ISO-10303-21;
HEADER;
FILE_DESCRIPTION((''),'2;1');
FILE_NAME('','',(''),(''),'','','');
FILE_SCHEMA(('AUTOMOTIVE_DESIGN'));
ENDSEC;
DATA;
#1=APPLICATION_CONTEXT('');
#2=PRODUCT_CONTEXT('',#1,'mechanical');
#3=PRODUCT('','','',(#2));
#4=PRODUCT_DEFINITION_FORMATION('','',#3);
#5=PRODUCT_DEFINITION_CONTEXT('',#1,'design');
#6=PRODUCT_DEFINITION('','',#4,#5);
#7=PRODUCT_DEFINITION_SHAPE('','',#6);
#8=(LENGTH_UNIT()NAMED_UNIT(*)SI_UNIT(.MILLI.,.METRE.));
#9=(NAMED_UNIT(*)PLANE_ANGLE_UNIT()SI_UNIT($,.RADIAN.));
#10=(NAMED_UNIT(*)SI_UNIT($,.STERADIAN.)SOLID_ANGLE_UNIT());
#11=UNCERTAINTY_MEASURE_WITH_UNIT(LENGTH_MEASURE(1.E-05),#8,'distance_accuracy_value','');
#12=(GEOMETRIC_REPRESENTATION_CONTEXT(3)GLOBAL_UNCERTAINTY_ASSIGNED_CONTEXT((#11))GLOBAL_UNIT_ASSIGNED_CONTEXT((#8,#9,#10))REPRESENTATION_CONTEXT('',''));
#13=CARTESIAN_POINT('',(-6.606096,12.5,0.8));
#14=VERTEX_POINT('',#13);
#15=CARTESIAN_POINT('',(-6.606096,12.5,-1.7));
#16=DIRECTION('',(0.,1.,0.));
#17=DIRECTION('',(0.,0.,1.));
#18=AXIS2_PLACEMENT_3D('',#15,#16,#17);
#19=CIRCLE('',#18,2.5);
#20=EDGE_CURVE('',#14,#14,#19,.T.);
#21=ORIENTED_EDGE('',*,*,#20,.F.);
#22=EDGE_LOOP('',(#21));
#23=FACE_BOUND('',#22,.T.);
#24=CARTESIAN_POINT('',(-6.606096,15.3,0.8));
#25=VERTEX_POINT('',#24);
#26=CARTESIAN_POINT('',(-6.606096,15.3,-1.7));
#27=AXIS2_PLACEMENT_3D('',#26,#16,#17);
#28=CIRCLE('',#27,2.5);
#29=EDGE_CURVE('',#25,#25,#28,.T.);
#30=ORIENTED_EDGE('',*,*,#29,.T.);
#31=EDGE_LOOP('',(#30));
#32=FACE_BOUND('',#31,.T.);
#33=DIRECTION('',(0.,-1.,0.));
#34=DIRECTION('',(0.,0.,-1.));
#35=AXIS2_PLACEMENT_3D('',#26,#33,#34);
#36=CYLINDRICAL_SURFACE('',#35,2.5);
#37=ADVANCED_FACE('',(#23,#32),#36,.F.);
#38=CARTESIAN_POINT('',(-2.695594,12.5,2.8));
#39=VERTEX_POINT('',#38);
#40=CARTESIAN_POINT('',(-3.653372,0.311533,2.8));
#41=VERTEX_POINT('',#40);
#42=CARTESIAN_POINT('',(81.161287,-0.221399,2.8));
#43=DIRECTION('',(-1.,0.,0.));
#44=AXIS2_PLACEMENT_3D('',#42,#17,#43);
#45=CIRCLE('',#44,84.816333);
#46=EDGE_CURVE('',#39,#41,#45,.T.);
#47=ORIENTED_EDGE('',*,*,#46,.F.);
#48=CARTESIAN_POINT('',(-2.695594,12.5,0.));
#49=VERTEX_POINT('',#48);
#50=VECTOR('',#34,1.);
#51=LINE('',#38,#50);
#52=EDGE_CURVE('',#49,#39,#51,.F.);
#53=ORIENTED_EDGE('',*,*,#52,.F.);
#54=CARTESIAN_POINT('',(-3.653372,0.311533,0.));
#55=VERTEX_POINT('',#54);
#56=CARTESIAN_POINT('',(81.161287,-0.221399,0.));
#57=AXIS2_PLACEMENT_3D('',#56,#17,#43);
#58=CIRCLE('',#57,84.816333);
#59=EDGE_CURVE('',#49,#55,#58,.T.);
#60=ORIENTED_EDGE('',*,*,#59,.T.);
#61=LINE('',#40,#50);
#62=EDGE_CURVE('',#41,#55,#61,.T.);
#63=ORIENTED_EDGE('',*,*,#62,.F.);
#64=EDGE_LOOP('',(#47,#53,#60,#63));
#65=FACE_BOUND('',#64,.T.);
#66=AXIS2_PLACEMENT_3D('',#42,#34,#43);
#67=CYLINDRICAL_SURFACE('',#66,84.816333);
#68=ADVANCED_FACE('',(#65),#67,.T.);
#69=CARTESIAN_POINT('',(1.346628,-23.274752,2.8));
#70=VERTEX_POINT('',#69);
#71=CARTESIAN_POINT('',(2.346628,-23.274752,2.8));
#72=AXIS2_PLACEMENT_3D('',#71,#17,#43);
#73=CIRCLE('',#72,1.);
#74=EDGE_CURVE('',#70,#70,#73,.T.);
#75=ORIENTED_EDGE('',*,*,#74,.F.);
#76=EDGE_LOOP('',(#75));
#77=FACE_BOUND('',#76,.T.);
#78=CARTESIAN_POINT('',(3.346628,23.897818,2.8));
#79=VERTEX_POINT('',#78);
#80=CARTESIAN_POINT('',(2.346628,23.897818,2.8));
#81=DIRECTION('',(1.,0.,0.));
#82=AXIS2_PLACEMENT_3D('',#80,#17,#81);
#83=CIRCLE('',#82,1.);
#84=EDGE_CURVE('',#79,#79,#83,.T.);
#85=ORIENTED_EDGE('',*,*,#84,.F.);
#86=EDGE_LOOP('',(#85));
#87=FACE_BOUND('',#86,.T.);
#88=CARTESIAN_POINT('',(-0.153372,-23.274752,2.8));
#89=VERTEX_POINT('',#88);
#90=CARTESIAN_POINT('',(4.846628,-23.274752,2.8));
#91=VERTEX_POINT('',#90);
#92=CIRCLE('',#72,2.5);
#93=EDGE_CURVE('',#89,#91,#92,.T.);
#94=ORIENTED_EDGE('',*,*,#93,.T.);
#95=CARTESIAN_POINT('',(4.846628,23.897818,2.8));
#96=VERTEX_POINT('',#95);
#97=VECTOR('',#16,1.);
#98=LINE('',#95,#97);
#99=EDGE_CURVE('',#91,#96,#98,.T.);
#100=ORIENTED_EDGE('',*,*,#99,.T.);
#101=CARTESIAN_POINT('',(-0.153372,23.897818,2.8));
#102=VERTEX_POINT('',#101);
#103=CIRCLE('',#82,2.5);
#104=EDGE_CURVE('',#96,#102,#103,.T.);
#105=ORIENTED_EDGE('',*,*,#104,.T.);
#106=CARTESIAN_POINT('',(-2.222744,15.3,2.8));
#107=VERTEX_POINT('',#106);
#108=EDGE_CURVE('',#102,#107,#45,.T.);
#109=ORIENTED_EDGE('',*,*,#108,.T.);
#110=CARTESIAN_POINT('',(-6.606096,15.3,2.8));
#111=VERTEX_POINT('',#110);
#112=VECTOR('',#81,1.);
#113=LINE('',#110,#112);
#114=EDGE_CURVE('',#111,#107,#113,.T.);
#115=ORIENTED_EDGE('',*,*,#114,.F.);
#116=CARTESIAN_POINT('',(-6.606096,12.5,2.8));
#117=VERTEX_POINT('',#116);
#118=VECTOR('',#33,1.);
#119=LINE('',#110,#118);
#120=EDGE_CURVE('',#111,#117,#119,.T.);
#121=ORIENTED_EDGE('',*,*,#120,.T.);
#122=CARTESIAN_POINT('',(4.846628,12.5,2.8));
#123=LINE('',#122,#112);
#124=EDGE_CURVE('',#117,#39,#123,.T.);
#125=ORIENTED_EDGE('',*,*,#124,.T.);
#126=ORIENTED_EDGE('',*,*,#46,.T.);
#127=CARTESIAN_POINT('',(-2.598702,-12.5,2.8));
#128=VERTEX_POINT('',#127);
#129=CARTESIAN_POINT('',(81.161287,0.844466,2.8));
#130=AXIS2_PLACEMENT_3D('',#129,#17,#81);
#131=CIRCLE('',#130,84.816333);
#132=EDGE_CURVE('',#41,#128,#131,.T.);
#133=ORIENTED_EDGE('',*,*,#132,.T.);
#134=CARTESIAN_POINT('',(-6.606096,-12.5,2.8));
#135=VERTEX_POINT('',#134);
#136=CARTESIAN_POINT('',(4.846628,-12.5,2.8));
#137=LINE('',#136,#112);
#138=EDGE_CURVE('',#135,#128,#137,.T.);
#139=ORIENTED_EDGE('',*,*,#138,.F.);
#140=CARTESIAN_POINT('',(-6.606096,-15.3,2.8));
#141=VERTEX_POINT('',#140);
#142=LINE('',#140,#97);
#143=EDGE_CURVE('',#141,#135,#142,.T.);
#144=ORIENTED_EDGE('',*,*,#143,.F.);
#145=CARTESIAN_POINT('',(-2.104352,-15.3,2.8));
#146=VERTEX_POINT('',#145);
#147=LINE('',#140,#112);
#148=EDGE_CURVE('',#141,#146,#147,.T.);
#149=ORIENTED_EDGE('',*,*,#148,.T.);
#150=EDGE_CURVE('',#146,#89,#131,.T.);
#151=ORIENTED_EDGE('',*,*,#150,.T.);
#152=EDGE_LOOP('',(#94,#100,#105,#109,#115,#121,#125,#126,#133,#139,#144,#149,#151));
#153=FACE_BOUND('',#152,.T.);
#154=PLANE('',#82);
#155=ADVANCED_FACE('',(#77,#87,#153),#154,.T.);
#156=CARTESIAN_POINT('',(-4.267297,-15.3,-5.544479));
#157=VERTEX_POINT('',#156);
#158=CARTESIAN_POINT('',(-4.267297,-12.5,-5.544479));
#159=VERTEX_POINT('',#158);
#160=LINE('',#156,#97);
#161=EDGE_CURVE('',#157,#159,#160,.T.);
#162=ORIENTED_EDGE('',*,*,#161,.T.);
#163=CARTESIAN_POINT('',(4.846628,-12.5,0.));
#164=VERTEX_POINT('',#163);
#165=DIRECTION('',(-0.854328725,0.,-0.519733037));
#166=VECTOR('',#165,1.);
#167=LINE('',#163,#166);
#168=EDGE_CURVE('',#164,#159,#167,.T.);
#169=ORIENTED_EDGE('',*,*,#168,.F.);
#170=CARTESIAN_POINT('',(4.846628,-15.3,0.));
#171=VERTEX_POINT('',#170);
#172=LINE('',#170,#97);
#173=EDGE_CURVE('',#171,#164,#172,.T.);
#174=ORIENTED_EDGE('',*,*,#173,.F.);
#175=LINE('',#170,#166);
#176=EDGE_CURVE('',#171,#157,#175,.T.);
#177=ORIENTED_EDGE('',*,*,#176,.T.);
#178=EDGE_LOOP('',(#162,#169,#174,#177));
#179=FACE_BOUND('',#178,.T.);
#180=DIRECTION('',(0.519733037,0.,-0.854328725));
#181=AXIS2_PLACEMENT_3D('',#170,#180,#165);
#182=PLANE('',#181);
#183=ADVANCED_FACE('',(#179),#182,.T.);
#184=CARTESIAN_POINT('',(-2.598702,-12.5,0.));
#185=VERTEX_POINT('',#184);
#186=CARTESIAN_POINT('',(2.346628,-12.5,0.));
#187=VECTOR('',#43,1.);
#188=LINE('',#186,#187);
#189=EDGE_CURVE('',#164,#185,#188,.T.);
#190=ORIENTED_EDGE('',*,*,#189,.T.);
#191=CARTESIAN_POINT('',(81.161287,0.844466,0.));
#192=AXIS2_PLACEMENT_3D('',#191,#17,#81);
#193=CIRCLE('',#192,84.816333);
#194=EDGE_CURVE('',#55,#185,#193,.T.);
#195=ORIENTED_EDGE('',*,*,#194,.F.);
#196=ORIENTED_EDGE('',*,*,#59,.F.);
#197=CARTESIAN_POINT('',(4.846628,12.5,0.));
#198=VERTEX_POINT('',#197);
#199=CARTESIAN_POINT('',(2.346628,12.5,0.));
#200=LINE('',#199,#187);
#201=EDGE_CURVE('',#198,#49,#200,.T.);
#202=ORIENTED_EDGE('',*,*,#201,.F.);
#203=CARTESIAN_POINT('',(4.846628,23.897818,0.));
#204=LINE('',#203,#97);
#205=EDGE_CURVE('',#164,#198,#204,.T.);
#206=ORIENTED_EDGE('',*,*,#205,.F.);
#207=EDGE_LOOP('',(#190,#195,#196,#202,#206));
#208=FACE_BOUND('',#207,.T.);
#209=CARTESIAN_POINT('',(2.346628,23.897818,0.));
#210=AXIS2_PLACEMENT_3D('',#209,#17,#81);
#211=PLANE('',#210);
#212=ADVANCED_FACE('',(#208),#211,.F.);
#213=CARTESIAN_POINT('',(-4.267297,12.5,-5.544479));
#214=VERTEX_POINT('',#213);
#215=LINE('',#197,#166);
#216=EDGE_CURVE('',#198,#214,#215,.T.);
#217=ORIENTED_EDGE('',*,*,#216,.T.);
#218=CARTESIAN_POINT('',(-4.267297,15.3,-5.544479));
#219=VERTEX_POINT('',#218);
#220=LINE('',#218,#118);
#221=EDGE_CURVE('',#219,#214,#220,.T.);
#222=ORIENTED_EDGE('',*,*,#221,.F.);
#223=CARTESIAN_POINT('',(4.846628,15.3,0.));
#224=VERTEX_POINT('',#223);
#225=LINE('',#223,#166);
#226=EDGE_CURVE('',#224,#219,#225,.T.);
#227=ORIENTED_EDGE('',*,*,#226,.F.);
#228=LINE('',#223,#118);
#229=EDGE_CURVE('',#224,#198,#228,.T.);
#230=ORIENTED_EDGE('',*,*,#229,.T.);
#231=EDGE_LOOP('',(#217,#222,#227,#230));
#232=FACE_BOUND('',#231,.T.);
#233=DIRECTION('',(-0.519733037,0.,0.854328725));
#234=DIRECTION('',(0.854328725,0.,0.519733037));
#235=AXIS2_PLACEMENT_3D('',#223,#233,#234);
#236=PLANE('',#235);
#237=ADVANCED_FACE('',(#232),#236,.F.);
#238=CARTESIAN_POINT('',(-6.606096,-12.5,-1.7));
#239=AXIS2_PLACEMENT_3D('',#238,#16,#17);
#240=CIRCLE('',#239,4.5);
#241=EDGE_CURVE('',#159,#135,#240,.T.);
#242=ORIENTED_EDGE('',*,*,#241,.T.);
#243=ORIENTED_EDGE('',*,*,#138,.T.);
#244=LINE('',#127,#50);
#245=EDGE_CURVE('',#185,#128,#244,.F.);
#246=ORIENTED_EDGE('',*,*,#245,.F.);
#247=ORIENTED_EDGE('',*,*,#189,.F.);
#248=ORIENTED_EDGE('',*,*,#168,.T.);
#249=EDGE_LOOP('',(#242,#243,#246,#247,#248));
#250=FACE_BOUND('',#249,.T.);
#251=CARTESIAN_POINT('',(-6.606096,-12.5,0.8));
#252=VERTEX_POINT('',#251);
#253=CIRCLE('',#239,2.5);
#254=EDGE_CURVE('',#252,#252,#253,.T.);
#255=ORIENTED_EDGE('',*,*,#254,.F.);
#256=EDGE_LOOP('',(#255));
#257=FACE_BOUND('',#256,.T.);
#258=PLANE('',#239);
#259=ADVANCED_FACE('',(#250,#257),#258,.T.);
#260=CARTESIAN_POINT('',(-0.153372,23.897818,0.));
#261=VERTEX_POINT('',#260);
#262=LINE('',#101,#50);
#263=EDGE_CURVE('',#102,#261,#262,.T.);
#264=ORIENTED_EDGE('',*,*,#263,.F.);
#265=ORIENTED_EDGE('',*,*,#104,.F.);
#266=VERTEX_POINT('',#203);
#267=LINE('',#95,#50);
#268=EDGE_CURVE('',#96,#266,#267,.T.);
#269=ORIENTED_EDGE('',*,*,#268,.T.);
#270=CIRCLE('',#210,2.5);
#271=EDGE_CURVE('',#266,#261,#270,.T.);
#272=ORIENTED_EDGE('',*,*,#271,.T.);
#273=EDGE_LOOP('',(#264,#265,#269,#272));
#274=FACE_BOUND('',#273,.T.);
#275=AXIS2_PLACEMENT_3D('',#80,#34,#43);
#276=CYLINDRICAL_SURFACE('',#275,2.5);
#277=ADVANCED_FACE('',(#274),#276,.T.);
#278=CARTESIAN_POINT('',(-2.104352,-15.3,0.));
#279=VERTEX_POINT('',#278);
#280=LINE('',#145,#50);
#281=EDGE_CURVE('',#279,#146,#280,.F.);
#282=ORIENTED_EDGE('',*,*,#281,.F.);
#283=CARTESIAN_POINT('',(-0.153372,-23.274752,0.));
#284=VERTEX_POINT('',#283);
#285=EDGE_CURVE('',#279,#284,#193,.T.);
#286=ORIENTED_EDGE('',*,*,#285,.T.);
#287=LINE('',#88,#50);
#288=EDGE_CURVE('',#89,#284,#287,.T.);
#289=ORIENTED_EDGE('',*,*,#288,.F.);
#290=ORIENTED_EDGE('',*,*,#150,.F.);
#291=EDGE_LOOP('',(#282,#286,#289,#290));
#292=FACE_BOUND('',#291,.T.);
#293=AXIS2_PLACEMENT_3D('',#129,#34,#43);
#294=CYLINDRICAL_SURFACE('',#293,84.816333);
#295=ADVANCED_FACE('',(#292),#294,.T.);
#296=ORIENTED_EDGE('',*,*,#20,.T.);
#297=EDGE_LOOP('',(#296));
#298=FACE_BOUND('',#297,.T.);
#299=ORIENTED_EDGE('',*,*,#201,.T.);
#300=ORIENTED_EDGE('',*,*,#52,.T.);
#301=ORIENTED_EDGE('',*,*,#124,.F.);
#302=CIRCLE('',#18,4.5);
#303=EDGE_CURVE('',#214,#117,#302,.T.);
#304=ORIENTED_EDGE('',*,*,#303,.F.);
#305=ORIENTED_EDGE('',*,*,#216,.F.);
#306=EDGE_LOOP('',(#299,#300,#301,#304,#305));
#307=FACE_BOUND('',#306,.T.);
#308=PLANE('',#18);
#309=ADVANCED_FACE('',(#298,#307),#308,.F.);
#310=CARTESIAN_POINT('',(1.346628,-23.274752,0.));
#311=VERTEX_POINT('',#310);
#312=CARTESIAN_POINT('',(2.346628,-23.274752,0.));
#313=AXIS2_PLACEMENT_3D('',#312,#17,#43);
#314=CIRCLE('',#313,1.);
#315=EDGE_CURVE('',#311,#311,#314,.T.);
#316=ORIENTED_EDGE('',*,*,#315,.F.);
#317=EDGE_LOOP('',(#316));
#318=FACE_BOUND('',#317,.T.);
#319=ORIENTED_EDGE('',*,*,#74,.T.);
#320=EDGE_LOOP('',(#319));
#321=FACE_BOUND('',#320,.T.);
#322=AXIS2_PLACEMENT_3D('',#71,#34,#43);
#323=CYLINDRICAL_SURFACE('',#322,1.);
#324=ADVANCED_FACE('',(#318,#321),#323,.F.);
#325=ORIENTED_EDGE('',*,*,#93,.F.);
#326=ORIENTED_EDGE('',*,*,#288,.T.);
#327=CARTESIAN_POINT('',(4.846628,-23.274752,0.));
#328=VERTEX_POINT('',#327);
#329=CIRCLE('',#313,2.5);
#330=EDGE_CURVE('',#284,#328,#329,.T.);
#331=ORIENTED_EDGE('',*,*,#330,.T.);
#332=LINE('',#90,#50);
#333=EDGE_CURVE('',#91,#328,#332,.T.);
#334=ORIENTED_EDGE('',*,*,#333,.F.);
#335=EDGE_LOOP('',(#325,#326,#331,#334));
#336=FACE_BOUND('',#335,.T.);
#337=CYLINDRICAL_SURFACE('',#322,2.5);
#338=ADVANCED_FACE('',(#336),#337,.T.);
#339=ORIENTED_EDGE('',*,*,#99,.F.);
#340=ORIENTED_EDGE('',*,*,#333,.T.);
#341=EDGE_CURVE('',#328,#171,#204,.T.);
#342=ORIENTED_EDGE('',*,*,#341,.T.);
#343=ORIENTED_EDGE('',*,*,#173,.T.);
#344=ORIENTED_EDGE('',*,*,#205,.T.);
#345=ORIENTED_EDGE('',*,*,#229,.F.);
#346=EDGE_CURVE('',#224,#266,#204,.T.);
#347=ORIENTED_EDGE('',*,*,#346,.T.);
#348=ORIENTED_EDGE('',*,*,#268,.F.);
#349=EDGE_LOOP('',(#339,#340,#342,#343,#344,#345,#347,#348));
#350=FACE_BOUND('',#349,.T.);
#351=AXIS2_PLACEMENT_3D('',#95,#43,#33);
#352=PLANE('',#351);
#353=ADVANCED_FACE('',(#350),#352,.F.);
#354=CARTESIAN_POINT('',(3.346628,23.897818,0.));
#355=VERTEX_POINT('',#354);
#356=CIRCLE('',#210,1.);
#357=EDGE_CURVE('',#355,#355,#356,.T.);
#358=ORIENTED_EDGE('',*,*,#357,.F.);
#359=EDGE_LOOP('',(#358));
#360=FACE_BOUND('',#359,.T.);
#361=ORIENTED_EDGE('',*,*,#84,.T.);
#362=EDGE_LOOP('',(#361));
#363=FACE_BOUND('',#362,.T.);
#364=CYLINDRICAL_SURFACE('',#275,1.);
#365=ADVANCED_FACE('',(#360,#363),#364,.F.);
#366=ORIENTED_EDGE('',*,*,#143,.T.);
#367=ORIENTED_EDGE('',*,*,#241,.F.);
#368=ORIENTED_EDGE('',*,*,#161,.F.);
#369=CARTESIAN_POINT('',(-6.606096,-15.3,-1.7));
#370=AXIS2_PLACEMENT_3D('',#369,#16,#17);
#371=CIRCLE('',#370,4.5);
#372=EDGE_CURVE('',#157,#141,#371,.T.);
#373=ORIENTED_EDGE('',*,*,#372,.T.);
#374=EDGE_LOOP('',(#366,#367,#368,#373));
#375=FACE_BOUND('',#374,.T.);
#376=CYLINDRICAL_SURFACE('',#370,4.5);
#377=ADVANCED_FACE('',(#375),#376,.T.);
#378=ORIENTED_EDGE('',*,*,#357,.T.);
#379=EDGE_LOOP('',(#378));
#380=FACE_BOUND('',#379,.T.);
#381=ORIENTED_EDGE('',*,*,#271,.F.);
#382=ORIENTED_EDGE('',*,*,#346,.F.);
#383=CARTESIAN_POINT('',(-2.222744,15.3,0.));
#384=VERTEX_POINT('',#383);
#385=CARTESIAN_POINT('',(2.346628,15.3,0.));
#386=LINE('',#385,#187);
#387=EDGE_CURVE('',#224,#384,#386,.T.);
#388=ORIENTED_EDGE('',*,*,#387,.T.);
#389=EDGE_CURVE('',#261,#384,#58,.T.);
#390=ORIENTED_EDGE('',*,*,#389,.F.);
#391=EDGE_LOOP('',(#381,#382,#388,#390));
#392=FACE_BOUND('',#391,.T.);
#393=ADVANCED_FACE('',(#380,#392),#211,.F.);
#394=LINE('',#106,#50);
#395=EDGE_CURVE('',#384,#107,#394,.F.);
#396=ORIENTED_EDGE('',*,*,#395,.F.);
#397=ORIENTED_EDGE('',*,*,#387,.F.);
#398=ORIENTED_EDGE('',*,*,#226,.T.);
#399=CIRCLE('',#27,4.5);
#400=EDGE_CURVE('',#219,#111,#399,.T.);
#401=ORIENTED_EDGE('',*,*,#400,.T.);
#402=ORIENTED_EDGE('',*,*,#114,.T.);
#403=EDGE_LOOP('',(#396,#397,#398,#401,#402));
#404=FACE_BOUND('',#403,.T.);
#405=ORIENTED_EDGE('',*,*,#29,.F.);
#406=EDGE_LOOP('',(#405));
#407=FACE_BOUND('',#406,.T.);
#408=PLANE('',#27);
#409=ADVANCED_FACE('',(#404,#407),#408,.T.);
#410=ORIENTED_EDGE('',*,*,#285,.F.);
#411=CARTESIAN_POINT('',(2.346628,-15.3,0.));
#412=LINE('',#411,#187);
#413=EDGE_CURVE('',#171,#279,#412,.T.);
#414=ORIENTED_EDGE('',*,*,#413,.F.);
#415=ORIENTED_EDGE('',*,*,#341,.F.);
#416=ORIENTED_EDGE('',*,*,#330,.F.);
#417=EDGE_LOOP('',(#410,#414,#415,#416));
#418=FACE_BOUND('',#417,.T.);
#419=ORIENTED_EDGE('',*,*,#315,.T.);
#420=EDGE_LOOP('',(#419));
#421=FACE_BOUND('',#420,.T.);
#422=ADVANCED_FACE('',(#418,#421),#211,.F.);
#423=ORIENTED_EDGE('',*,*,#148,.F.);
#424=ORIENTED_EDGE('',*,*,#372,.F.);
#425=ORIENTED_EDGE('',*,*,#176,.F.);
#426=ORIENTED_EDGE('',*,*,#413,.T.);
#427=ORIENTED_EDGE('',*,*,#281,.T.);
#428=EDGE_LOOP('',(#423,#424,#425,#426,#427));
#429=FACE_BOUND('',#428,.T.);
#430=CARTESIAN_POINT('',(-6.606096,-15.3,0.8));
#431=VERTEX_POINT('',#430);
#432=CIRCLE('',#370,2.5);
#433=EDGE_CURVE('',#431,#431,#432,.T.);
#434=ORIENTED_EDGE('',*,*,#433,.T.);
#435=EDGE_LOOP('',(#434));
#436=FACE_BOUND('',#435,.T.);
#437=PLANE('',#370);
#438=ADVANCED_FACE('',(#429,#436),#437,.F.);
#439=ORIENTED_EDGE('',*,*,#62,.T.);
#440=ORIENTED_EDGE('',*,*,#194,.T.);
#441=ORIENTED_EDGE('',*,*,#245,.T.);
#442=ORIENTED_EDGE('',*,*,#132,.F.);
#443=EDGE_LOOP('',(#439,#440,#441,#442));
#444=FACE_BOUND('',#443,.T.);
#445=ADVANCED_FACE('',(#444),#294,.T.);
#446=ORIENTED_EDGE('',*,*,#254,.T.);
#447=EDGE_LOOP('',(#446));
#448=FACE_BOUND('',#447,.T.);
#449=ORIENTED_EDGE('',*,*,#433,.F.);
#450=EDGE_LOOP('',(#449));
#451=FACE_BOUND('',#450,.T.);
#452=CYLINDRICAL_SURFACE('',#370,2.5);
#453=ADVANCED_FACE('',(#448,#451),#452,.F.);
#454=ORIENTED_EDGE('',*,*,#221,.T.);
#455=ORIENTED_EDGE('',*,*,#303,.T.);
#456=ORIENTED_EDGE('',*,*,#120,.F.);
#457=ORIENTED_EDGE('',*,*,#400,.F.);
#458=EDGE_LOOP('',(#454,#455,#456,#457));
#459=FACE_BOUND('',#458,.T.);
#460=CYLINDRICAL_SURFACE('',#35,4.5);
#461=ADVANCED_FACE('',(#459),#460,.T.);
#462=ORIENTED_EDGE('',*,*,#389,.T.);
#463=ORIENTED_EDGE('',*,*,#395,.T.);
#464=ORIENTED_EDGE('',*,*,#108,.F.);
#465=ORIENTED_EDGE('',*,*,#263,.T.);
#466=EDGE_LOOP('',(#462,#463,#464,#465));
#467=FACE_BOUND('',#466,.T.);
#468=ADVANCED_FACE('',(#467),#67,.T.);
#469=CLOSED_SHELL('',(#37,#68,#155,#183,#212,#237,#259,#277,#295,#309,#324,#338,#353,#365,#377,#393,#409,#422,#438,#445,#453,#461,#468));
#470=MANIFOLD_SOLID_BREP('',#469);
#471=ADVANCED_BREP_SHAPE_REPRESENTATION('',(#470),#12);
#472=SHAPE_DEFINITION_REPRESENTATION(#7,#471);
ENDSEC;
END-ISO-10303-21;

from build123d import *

# Parameters (mm, degrees)
CROQUIS3_R              = 1
SALIENTE_EXTRUIR1_DEPTH = 2.8
SALIENTE_EXTRUIR2_START = 12.5
CROQUIS4_R              = 2.5
SALIENTE_EXTRUIR2_DEPTH = 2.8
SALIENTE_EXTRUIR3_START = -15.3
CROQUIS4_2_R            = 2.5
SALIENTE_EXTRUIR3_DEPTH = 2.8


with BuildPart() as part:
    # Croquis3 → Saliente-Extruir1 (new body)
    with BuildSketch(Plane.XY):
        with BuildLine():
            Line((4.846627727, 23.897818016), (4.846627727, -23.274751548))
            ThreePointArc((4.846627727, -23.274751548), (2.346627727, -25.774751548), (-0.153372273, -23.274751548))
            ThreePointArc((-0.153372273, -23.274751548), (-2.736363907, -11.605217887), (-3.653372273, 0.311533234))
            ThreePointArc((-3.653372273, 0.311533234), (-2.736363907, 12.228284355), (-0.153372273, 23.897818016))
            ThreePointArc((-0.153372273, 23.897818016), (2.346627727, 26.397818016), (4.846627727, 23.897818016))
        make_face()
        with Locations((2.346627727, 23.897818016)):
            Circle(CROQUIS3_R, mode=Mode.SUBTRACT)
        with Locations((2.346627727, -23.274751548)):
            Circle(CROQUIS3_R, mode=Mode.SUBTRACT)
    extrude(amount=SALIENTE_EXTRUIR1_DEPTH)

    # Croquis4 → Saliente-Extruir2 (add)
    with BuildSketch(Plane(origin=(0, 0, 0), x_dir=(1, 0, 0), z_dir=(0, 1, 0)).offset(SALIENTE_EXTRUIR2_START)):
        with BuildLine():
            Line((4.846627727, 0), (-4.267297244, 5.544479263))
            ThreePointArc((-4.267297244, 5.544479263), (-10.939117757, 2.914463527), (-6.606095909, -2.8))
            Line((-6.606095909, -2.8), (-3.653372273, -2.8))
            Line((-3.653372273, -2.8), (4.846627727, -2.8))
            Line((4.846627727, -2.8), (4.846627727, 0))
        make_face()
        with Locations((-6.606095909, 1.7)):
            Circle(CROQUIS4_R, mode=Mode.SUBTRACT)
    extrude(amount=SALIENTE_EXTRUIR2_DEPTH)

    # Croquis4<2> → Saliente-Extruir3 (add)
    with BuildSketch(Plane(origin=(0, 0, 0), x_dir=(1, 0, 0), z_dir=(0, 1, 0)).offset(SALIENTE_EXTRUIR3_START)):
        with BuildLine():
            Line((4.846627727, 0), (-4.267297244, 5.544479263))
            ThreePointArc((-4.267297244, 5.544479263), (-10.939117757, 2.914463527), (-6.606095909, -2.8))
            Line((-6.606095909, -2.8), (-3.653372273, -2.8))
            Line((-3.653372273, -2.8), (4.846627727, -2.8))
            Line((4.846627727, -2.8), (4.846627727, 0))
        make_face()
        with Locations((-6.606095909, 1.7)):
            Circle(CROQUIS4_2_R, mode=Mode.SUBTRACT)
    extrude(amount=SALIENTE_EXTRUIR3_DEPTH)


solid = part.part
